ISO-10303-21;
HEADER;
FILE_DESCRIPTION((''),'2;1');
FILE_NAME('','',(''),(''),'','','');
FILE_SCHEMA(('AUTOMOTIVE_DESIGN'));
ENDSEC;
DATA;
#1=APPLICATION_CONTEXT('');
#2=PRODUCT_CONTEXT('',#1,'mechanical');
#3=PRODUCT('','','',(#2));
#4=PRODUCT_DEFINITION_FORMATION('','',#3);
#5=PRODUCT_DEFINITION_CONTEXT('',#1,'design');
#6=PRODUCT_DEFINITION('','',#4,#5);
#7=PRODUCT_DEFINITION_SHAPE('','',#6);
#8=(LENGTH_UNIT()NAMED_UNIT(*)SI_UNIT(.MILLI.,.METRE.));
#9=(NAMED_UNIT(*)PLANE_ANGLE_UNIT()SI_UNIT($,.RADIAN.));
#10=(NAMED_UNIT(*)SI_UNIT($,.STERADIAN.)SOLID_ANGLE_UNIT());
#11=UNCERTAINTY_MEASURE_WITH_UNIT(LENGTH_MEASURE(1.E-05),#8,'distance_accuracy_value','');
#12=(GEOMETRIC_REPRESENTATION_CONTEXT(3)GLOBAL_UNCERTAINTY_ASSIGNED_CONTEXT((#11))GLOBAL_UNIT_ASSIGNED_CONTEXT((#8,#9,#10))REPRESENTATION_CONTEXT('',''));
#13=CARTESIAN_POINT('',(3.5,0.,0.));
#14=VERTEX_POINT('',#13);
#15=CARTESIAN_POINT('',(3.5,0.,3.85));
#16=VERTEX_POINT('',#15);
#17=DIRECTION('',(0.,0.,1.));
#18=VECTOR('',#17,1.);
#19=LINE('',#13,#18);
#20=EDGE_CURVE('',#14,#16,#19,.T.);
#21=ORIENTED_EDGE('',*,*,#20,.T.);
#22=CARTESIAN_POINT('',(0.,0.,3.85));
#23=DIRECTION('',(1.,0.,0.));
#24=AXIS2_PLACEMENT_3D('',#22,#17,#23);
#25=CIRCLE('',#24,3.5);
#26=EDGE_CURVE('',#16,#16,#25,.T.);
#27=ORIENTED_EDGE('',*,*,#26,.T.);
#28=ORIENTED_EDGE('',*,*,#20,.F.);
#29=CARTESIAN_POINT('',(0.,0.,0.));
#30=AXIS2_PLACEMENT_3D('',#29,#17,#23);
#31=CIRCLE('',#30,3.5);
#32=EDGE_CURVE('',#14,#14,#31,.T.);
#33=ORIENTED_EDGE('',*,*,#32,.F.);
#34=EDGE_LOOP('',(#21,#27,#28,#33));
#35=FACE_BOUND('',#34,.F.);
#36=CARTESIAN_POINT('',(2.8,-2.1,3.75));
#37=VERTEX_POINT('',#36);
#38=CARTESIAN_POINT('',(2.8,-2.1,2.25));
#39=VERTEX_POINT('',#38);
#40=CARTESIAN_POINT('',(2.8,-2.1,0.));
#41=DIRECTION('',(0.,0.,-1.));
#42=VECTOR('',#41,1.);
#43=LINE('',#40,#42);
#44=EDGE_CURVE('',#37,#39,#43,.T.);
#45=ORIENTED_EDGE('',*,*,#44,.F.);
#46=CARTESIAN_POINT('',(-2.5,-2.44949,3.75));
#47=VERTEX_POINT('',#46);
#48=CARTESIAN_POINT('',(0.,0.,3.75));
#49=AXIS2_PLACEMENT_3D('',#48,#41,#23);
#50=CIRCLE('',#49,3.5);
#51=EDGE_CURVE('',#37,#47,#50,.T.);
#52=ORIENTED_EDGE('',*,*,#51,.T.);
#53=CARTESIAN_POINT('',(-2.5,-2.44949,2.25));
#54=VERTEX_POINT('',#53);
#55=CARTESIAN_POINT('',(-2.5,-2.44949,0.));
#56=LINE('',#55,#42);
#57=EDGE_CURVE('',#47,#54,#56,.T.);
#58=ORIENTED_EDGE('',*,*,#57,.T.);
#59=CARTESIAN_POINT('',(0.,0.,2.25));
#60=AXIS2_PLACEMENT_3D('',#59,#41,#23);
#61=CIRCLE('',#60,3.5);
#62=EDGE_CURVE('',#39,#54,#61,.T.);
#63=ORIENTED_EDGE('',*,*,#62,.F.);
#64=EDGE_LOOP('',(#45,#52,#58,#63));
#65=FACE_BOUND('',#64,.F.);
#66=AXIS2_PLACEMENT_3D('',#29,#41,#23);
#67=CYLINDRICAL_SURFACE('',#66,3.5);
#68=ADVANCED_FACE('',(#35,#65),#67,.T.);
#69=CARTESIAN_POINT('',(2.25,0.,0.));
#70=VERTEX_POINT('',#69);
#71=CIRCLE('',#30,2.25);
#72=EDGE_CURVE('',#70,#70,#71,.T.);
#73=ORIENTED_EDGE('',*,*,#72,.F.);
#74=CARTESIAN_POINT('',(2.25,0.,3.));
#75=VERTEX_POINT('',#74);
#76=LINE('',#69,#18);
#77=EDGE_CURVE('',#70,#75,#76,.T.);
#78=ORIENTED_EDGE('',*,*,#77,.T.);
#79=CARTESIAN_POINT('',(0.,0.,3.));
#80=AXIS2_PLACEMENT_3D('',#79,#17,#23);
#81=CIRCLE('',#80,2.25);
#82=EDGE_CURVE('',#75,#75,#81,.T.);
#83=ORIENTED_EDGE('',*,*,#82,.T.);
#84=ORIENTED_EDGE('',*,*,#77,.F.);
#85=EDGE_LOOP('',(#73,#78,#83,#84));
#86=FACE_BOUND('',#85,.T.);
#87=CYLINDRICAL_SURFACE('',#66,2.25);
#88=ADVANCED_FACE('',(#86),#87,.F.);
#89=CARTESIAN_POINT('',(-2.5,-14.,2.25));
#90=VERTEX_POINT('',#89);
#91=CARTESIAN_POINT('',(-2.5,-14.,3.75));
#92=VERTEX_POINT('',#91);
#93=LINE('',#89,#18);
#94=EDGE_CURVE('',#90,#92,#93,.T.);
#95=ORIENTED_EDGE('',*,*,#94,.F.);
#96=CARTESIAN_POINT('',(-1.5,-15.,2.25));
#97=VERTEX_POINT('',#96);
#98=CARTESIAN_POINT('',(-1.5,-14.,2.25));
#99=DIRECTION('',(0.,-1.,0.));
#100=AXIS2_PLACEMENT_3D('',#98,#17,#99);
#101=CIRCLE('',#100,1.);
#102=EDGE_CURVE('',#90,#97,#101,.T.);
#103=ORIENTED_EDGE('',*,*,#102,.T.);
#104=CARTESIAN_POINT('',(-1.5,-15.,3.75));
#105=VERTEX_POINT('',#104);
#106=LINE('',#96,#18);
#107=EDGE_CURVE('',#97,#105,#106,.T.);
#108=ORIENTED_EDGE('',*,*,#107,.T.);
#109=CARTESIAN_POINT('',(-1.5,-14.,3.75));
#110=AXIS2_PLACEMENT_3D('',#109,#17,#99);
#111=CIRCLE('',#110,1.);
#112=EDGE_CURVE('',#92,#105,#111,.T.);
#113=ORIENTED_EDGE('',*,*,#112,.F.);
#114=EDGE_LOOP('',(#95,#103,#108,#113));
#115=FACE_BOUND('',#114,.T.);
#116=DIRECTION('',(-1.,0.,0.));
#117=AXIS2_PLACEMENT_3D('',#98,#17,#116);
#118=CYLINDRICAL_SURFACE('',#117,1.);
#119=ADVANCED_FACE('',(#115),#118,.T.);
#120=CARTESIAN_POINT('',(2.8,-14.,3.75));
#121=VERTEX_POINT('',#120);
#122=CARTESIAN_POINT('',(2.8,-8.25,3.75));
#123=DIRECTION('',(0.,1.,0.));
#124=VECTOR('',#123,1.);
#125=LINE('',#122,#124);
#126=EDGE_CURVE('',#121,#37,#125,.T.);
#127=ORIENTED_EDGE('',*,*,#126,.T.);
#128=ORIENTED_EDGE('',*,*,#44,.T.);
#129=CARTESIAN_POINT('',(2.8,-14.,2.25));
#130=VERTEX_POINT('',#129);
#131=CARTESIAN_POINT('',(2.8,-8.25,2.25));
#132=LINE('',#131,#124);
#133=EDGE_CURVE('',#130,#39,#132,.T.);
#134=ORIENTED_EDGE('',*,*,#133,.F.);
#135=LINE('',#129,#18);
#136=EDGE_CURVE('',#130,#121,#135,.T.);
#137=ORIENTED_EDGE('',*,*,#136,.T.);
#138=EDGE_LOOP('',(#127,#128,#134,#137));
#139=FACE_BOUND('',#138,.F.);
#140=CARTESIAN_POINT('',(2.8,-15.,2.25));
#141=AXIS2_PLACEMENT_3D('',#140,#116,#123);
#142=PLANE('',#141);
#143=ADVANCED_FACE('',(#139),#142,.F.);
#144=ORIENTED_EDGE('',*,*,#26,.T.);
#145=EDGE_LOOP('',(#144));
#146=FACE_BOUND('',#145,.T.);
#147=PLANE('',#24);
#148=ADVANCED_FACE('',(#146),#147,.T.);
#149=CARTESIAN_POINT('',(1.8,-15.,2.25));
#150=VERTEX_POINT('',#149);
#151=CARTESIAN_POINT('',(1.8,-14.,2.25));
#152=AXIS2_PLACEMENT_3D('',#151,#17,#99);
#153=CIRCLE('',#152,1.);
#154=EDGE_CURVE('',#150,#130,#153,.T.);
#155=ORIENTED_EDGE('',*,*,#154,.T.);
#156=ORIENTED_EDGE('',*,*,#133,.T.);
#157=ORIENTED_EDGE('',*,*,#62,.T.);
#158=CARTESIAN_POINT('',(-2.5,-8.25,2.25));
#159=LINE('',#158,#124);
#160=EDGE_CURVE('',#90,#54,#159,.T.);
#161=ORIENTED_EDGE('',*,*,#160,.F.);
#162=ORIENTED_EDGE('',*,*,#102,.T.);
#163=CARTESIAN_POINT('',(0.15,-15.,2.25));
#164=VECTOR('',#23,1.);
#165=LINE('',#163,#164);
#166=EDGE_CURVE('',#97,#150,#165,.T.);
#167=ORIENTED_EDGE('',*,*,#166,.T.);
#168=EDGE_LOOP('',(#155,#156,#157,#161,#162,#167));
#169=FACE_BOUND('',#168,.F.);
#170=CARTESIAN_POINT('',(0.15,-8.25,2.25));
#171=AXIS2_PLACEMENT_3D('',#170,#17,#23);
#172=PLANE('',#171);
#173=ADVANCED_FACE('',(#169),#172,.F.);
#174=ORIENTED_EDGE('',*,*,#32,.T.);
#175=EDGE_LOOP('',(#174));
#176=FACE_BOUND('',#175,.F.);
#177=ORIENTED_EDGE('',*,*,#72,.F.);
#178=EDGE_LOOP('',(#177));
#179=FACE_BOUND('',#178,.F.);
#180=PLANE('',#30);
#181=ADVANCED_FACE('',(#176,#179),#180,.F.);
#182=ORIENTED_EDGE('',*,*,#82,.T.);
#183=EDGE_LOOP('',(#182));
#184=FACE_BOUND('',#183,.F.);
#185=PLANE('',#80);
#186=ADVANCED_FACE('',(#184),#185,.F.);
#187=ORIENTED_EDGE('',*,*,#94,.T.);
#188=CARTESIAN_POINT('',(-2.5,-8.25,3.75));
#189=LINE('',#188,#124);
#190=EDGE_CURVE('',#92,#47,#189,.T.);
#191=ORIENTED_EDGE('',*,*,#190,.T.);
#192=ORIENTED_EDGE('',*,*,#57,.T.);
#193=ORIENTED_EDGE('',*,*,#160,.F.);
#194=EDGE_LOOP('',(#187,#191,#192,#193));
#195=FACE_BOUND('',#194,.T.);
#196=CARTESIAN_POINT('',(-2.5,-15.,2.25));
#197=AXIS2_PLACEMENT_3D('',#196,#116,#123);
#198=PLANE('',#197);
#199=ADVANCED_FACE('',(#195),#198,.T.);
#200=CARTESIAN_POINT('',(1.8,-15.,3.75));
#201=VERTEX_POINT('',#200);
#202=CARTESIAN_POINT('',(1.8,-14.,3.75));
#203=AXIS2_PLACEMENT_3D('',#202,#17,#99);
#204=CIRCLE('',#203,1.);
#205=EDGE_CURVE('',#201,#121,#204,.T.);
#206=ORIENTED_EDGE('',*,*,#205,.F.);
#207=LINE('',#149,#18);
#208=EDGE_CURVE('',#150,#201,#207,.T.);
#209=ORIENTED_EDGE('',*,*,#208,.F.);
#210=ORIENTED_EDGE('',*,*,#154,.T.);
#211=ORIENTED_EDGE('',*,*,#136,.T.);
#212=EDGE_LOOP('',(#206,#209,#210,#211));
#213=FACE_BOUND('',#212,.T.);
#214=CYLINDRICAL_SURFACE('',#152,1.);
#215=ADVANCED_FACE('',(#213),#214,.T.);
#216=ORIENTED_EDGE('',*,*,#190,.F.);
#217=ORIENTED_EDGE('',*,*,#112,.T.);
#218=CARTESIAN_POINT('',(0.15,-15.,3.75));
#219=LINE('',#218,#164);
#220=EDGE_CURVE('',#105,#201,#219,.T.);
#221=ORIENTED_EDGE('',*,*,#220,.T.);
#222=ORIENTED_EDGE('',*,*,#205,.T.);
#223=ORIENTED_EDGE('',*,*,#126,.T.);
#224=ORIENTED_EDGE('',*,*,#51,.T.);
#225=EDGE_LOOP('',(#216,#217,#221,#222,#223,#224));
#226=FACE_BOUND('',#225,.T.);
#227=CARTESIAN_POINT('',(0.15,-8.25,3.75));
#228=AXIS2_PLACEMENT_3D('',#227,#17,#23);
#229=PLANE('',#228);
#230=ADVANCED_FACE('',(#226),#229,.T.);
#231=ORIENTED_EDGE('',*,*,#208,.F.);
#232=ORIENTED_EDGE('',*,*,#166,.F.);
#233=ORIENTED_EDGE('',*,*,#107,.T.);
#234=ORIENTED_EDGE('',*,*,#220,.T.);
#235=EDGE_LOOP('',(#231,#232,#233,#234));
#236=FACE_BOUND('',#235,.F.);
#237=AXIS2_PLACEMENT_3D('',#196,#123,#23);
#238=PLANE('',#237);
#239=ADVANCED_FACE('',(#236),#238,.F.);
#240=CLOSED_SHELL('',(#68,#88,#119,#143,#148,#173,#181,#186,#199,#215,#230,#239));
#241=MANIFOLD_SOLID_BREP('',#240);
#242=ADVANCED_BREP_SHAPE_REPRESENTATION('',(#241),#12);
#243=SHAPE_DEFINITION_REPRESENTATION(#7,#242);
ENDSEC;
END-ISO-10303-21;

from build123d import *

# Parameters (mm, degrees)
CYLINDER006_R     = 2.25
CYLINDER006_DEPTH = 3
BOX001_W          = 5.3
BOX001_H          = 13.5
BOX001_DEPTH      = 1.5
FILLET_R          = 1
CYLINDER005_R     = 3.5
CYLINDER005_DEPTH = 3.85


with BuildPart() as cylinder006:
    # Cylinder006 → Cylinder006 (new body)
    with BuildSketch(Plane.XY):
        Circle(CYLINDER006_R)
    extrude(amount=CYLINDER006_DEPTH)


with BuildPart() as fillet_body:
    # Box001 → Box001 (new body)
    with BuildSketch(Plane(origin=(-2.5, -15, 2.25), x_dir=(1, 0, 0), z_dir=(0, 0, 1))):
        with Locations((2.65, 6.75)):
            Rectangle(BOX001_W, BOX001_H)
    extrude(amount=BOX001_DEPTH)

    # Fillet
    fillet_edges = [fillet_body.edges().sort_by_distance(p)[0] for p in [
        (-2.5, -15, 3),
        (2.8, -15, 3),
    ]]
    fillet(fillet_edges, radius=FILLET_R)


with BuildPart() as servoarmsingle:
    # Cylinder005 → Cylinder005 (new body)
    with BuildSketch(Plane.XY):
        Circle(CYLINDER005_R)
    extrude(amount=CYLINDER005_DEPTH)

    # Fusion003: union Fillet body
    add(fillet_body.part)

    # Cut001: cut Cylinder006
    add(cylinder006.part, mode=Mode.SUBTRACT)


solid = servoarmsingle.part
